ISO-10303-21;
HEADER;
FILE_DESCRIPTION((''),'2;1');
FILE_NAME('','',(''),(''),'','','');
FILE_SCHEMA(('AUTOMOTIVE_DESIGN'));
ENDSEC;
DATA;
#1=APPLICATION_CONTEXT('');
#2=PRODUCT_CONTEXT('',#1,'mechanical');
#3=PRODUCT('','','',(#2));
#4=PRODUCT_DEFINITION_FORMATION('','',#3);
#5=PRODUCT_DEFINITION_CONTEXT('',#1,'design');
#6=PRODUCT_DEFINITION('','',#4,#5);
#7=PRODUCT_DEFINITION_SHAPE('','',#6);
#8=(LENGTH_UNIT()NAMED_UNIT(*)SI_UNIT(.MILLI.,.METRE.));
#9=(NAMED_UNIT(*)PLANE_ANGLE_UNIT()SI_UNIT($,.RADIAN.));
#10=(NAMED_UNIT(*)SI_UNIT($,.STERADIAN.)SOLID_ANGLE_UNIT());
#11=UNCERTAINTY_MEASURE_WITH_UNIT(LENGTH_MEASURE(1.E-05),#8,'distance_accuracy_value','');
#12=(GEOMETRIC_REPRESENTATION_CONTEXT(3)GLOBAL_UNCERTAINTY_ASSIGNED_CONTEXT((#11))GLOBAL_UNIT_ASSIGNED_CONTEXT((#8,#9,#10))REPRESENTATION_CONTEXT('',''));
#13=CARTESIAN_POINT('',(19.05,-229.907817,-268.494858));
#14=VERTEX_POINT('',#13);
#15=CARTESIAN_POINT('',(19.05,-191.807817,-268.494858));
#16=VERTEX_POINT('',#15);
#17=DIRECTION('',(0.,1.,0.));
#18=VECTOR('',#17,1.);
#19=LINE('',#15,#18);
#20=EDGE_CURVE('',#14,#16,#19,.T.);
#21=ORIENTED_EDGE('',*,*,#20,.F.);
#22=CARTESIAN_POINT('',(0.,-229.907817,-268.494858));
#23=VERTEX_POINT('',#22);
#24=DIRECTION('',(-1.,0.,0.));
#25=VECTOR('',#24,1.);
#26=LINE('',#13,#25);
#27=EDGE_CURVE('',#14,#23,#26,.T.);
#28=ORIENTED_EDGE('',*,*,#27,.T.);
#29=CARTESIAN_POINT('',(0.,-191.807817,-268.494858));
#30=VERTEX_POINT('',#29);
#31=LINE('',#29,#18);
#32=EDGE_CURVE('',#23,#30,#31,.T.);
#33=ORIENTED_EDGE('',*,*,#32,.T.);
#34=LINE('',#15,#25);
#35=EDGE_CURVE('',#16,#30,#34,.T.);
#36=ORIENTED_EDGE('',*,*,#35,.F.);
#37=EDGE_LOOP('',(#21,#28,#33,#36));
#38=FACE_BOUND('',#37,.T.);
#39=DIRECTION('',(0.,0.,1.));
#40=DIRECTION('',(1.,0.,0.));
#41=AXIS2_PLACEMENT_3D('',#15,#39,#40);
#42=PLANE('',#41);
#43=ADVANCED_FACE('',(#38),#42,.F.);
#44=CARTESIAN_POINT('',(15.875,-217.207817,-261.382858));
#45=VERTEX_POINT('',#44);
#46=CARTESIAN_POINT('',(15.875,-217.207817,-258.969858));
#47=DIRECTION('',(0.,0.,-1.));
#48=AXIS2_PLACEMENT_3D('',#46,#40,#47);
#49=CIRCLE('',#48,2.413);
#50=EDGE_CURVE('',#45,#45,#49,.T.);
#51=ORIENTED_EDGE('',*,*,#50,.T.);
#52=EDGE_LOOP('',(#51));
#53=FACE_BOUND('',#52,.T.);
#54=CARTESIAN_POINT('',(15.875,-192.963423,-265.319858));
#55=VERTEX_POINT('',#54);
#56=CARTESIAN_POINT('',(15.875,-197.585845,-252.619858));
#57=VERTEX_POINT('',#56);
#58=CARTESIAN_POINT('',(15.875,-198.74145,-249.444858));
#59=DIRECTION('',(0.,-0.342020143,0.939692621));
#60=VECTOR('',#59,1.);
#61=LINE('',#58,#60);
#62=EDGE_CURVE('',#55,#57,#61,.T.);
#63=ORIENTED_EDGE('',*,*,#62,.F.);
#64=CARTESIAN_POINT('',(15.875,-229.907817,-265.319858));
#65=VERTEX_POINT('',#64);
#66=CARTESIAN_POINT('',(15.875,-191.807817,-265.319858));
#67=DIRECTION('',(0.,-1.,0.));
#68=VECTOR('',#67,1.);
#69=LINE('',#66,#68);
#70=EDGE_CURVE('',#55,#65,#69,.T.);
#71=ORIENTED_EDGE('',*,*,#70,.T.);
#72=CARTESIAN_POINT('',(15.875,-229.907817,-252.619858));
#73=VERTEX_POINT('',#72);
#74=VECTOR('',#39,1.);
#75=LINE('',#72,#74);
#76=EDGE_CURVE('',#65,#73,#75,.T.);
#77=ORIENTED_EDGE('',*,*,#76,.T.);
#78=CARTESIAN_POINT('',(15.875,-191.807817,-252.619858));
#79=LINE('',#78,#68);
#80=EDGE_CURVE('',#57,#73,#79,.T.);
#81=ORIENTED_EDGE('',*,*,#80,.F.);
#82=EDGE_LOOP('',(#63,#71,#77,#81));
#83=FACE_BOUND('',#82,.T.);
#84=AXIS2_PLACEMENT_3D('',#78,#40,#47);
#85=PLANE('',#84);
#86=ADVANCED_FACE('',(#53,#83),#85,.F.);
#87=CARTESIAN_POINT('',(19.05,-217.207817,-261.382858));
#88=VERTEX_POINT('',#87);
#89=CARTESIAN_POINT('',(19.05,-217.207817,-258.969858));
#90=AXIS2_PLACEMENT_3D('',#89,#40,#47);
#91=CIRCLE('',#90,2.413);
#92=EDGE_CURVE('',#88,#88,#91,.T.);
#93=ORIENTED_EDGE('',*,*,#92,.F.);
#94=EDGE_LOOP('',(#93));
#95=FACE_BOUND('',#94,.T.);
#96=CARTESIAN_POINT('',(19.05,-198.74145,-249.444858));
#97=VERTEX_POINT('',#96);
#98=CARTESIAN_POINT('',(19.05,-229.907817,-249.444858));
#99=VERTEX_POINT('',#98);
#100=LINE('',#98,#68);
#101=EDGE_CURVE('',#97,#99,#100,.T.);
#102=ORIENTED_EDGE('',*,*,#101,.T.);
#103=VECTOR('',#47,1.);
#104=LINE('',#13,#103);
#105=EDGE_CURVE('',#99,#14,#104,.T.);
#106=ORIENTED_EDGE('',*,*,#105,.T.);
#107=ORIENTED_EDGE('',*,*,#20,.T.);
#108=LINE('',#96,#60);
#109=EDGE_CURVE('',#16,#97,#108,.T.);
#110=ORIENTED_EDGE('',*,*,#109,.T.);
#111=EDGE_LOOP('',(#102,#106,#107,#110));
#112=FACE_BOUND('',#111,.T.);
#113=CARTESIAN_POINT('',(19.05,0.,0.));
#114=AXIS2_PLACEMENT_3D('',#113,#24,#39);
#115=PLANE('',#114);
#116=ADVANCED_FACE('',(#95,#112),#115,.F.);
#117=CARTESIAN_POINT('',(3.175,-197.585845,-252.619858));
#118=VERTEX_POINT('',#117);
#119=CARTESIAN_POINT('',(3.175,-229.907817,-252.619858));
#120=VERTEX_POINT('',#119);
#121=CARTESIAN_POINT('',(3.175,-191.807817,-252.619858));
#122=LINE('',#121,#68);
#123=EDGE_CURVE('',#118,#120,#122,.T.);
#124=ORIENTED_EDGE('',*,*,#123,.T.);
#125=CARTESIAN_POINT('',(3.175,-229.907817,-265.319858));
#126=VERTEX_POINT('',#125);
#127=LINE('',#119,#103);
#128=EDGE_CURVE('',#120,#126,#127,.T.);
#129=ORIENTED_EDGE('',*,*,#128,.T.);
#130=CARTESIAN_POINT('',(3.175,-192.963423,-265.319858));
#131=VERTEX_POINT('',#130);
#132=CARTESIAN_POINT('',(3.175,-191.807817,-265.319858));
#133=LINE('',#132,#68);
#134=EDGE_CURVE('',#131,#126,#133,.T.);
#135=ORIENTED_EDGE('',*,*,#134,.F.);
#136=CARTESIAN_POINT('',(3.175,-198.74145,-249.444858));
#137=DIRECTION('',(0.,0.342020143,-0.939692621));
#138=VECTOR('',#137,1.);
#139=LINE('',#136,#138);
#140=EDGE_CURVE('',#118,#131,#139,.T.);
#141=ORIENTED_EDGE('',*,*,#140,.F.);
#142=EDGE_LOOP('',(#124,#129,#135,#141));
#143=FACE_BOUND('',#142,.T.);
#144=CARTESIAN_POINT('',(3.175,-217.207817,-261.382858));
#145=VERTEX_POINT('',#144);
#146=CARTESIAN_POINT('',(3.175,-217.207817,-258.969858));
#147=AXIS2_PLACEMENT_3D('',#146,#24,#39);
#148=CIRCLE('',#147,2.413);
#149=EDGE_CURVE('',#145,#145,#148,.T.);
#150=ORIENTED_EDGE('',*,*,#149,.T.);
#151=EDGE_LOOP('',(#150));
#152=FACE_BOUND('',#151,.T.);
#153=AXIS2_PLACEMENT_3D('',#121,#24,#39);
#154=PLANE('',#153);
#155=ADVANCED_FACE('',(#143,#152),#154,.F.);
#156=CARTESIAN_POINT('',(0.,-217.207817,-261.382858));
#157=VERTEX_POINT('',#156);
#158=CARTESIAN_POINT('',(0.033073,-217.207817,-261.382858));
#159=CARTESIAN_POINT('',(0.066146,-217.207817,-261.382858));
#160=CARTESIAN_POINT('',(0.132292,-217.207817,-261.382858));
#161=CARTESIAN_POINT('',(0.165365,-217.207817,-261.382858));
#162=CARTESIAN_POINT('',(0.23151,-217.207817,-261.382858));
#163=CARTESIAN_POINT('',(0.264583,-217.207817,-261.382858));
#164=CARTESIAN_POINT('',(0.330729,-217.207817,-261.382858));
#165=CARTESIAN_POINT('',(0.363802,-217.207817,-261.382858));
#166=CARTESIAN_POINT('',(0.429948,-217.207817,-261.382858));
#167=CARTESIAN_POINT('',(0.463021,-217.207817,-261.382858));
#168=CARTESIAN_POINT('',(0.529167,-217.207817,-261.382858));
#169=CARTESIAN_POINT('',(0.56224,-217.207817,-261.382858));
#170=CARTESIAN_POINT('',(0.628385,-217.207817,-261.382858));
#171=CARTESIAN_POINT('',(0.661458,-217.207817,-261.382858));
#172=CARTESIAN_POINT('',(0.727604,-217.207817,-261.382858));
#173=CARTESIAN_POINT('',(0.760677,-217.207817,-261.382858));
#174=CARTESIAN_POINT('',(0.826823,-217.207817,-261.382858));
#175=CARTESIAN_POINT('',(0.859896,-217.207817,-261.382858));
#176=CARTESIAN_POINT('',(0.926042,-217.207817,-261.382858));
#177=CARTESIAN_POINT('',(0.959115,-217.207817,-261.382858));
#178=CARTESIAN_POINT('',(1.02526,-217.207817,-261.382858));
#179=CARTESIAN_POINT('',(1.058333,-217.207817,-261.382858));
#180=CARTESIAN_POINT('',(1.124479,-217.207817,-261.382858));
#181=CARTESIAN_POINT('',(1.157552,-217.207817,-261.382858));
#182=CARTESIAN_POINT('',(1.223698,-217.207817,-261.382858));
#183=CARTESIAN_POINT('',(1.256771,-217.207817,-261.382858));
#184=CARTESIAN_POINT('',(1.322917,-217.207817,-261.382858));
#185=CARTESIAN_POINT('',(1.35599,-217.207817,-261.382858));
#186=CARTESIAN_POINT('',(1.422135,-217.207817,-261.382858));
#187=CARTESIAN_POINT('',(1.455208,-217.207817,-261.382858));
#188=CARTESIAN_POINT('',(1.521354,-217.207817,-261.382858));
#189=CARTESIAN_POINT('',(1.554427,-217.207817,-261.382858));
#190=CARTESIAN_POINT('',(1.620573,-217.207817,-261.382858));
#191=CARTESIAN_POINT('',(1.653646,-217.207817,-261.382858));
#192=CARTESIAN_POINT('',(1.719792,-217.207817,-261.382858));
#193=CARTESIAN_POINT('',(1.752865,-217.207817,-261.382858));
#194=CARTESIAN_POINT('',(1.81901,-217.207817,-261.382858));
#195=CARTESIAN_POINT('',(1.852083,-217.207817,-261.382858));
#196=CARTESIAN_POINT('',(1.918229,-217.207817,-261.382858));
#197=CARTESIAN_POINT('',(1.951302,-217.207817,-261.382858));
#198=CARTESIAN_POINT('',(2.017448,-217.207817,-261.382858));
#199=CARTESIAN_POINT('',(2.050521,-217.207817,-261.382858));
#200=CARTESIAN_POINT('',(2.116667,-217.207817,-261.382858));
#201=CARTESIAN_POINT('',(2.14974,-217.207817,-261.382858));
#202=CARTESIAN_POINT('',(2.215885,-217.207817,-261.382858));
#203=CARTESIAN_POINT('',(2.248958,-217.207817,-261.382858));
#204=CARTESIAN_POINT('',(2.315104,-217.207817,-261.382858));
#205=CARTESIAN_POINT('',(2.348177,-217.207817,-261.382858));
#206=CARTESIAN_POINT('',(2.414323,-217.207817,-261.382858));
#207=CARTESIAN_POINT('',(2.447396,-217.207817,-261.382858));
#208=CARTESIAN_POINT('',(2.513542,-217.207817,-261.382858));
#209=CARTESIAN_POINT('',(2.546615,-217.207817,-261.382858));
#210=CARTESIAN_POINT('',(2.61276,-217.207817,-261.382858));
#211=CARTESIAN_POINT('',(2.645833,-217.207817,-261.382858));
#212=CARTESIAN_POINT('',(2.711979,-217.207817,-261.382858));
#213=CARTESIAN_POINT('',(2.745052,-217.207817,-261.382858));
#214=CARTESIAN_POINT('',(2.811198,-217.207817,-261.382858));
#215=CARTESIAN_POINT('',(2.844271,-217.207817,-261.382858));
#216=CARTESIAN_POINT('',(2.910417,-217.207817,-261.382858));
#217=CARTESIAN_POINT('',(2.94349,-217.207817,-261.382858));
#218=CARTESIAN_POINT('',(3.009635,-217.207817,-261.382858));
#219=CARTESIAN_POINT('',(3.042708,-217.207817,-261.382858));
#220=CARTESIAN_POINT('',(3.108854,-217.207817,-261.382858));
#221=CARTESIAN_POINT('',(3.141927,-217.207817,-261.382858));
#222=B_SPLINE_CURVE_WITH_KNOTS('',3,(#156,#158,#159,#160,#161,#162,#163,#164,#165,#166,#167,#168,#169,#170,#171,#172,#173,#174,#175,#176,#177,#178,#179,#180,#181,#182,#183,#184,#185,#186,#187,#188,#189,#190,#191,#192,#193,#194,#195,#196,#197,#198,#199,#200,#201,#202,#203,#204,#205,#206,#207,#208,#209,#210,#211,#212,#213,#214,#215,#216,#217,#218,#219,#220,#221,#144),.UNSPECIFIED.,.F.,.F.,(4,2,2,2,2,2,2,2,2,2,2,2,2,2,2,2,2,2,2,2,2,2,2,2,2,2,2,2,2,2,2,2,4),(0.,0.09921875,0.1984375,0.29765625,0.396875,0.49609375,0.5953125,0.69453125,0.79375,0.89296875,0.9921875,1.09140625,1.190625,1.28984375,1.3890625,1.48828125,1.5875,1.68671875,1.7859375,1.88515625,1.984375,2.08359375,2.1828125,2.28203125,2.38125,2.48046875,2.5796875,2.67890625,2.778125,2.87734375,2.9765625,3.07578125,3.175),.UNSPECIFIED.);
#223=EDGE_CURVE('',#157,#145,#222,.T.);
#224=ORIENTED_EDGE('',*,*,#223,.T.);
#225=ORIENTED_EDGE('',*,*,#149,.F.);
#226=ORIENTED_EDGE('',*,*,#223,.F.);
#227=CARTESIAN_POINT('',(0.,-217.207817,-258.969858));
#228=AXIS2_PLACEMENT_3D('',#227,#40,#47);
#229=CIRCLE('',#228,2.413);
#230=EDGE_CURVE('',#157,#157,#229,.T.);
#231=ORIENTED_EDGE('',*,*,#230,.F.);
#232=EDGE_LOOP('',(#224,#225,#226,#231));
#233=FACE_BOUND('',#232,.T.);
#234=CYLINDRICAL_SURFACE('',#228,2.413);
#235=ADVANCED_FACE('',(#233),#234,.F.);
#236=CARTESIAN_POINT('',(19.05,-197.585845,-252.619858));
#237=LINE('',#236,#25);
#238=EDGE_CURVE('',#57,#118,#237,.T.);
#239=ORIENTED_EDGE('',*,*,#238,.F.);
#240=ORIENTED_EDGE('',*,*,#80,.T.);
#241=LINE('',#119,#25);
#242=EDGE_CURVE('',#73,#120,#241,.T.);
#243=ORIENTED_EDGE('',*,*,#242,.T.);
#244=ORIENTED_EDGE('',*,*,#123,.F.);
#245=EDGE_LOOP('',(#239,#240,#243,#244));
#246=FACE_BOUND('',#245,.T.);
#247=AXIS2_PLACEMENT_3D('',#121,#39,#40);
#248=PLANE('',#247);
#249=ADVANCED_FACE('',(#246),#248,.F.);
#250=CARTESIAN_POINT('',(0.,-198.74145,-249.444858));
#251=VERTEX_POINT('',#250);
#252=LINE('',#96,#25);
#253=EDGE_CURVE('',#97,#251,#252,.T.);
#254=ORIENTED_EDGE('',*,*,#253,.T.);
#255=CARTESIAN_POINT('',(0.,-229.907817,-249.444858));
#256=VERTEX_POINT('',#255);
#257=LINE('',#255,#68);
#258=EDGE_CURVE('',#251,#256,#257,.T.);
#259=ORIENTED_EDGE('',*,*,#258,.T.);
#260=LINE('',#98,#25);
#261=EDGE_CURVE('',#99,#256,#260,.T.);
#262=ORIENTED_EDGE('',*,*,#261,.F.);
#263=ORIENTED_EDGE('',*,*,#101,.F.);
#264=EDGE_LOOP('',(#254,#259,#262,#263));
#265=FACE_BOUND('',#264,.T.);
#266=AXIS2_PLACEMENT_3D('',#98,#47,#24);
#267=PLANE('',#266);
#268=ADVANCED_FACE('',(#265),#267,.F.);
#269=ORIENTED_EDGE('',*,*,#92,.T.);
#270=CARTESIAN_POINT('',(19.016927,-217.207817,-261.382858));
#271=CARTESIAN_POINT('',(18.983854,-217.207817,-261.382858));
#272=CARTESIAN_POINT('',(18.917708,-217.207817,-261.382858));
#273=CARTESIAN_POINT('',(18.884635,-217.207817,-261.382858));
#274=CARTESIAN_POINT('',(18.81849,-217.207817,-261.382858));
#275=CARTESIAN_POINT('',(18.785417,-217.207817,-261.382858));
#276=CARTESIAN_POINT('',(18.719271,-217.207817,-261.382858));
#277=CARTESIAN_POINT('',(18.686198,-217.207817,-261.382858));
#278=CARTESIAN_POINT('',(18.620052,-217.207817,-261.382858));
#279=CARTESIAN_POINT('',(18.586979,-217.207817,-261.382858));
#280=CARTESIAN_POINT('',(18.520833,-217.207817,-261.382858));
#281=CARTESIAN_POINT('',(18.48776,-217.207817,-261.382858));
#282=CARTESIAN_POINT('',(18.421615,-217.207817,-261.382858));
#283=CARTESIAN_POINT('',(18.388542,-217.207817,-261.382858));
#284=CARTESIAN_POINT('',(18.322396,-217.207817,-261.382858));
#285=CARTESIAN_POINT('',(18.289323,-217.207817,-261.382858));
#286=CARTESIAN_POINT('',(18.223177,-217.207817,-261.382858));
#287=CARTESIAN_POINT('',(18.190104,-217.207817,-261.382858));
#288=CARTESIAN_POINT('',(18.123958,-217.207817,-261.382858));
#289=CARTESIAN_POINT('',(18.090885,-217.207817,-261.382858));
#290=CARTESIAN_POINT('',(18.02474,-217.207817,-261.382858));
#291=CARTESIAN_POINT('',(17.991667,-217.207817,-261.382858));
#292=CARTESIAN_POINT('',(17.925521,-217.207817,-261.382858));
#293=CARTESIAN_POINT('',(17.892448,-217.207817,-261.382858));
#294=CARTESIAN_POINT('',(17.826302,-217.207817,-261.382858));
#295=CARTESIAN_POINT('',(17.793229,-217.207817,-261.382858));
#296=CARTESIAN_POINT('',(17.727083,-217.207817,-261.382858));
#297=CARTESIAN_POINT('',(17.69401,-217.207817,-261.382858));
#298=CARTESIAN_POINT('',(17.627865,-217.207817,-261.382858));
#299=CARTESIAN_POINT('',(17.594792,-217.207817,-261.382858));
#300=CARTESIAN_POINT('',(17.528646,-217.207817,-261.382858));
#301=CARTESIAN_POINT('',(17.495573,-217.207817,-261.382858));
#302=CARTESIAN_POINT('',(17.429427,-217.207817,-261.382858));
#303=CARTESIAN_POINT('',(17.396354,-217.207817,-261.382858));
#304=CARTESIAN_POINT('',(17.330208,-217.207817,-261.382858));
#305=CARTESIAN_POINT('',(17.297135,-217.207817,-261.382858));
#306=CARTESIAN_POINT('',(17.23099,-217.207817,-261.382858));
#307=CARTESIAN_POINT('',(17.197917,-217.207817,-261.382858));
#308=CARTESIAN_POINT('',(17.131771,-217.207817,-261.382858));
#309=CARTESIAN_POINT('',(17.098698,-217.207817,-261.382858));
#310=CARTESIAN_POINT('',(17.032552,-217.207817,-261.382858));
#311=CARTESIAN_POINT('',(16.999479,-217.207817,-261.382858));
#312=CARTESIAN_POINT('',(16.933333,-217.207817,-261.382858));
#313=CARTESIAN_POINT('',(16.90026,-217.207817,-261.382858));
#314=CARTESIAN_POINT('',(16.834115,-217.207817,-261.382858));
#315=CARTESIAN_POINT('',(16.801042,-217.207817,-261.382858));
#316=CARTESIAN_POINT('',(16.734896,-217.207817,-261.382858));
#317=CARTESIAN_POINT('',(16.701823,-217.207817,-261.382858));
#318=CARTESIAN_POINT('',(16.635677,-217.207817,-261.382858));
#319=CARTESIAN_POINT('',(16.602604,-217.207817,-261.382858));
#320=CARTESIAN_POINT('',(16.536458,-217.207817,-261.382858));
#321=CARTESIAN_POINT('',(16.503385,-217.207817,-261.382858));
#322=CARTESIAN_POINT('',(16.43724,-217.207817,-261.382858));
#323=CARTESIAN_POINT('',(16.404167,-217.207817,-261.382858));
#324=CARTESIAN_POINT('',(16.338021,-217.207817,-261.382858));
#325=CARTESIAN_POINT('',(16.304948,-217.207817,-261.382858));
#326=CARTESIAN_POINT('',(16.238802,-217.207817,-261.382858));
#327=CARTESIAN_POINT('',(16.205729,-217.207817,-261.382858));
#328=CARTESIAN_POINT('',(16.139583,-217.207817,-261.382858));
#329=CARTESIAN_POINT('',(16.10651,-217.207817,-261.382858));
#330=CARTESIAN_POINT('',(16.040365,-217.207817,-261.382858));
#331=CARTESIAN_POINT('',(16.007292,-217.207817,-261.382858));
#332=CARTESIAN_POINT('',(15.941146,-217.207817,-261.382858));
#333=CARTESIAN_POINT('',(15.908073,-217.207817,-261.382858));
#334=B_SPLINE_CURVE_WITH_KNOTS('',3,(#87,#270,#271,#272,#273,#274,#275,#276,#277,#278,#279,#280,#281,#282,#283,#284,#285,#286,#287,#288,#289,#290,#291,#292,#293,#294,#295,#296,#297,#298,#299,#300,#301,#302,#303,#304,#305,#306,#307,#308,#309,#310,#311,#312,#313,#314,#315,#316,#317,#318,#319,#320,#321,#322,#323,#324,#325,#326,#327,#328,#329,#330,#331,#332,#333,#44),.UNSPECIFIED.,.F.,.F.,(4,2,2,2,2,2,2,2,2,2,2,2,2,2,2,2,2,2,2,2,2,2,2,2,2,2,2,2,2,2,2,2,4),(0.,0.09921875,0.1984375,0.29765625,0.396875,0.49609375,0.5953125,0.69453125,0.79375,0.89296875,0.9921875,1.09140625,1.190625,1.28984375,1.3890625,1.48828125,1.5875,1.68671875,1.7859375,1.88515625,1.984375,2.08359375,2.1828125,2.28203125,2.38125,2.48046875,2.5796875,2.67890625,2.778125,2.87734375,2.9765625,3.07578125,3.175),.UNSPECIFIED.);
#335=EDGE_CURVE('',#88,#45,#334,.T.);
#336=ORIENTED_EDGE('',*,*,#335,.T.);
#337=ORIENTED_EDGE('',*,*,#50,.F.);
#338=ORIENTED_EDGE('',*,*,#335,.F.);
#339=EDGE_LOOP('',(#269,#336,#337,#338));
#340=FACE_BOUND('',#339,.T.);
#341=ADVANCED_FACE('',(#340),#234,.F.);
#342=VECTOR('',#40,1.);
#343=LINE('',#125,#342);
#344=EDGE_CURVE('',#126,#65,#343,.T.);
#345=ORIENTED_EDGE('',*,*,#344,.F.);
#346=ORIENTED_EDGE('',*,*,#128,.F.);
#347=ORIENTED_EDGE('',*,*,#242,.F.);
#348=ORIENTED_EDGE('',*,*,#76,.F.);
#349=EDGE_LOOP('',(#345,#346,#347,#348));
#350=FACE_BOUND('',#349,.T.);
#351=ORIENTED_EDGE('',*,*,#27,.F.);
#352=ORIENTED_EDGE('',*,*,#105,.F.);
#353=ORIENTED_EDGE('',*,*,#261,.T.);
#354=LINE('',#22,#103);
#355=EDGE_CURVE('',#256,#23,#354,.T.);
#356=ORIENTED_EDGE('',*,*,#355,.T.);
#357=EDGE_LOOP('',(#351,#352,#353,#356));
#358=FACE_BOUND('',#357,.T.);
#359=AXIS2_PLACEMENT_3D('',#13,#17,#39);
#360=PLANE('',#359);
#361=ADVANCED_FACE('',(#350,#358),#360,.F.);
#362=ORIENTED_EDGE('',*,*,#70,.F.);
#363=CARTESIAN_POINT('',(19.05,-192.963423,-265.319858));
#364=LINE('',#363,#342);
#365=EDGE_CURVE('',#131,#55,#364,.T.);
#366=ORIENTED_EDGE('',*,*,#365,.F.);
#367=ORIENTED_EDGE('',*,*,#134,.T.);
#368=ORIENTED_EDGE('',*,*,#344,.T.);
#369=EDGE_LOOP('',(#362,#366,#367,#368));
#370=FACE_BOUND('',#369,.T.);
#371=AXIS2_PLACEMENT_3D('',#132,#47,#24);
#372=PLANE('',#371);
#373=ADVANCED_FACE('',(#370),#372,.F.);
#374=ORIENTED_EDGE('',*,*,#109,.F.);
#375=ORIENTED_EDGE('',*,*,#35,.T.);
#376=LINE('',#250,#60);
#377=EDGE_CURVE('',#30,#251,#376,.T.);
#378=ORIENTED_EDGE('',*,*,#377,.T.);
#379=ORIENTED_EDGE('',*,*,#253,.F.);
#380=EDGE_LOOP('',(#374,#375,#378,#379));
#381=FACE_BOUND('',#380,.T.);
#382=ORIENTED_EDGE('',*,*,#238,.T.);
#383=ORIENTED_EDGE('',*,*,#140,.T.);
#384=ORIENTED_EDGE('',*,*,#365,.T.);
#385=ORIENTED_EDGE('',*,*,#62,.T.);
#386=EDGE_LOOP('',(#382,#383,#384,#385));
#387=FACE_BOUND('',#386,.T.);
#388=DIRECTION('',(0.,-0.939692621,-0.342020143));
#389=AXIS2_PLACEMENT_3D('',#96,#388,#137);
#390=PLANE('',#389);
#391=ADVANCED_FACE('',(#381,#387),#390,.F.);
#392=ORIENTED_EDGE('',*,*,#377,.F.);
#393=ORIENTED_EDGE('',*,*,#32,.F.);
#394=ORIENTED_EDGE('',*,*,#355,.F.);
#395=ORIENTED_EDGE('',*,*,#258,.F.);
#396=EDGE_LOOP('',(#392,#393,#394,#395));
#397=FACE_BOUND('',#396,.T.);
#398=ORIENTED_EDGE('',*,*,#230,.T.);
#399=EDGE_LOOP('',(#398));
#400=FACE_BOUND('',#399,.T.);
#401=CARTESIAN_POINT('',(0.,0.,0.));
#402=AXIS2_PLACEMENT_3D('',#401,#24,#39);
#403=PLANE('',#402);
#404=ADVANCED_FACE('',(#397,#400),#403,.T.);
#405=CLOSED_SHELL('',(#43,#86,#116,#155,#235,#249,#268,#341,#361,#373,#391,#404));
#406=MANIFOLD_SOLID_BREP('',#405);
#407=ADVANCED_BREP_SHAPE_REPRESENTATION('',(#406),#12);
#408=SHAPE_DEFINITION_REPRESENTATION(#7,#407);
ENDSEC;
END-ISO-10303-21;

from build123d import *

# Parameters (mm, degrees)
BOSS_EXTRUDE1_DEPTH = 19.05
SKETCH2_W           = 12.7
SKETCH2_H           = 12.7
CUT_EXTRUDE1_DEPTH  = 272.852903886
SKETCH3_R           = 2.413
CUT_EXTRUDE2_DEPTH  = 354.991519469


with BuildPart() as part:
    # Sketch1 → Boss-Extrude1 (new body)
    with BuildSketch(Plane(origin=(0, 0, 0), x_dir=(0, 0, -1), z_dir=(1, 0, 0))):
        Polygon((268.494858146, -191.807817407), (268.494858146, -229.907817407), (249.444858146, -229.907817407), (249.444858146, -198.74145037), align=None)
    extrude(amount=BOSS_EXTRUDE1_DEPTH)

    # Sketch2 → Cut-Extrude1 (cut, through all)
    with BuildSketch(Plane.XZ.offset(229.907817407)):
        with Locations((9.525, -258.969858146)):
            Rectangle(SKETCH2_W, SKETCH2_H)
    extrude(amount=-CUT_EXTRUDE1_DEPTH, mode=Mode.SUBTRACT)

    # Sketch3 → Cut-Extrude2 (cut, through all)
    with BuildSketch(Plane(origin=(19.05, 0, 0), x_dir=(0, 0, -1), z_dir=(1, 0, 0))):
        with Locations((258.969858146, -217.207817407)):
            Circle(SKETCH3_R)
    extrude(amount=-CUT_EXTRUDE2_DEPTH, mode=Mode.SUBTRACT)


solid = part.part
